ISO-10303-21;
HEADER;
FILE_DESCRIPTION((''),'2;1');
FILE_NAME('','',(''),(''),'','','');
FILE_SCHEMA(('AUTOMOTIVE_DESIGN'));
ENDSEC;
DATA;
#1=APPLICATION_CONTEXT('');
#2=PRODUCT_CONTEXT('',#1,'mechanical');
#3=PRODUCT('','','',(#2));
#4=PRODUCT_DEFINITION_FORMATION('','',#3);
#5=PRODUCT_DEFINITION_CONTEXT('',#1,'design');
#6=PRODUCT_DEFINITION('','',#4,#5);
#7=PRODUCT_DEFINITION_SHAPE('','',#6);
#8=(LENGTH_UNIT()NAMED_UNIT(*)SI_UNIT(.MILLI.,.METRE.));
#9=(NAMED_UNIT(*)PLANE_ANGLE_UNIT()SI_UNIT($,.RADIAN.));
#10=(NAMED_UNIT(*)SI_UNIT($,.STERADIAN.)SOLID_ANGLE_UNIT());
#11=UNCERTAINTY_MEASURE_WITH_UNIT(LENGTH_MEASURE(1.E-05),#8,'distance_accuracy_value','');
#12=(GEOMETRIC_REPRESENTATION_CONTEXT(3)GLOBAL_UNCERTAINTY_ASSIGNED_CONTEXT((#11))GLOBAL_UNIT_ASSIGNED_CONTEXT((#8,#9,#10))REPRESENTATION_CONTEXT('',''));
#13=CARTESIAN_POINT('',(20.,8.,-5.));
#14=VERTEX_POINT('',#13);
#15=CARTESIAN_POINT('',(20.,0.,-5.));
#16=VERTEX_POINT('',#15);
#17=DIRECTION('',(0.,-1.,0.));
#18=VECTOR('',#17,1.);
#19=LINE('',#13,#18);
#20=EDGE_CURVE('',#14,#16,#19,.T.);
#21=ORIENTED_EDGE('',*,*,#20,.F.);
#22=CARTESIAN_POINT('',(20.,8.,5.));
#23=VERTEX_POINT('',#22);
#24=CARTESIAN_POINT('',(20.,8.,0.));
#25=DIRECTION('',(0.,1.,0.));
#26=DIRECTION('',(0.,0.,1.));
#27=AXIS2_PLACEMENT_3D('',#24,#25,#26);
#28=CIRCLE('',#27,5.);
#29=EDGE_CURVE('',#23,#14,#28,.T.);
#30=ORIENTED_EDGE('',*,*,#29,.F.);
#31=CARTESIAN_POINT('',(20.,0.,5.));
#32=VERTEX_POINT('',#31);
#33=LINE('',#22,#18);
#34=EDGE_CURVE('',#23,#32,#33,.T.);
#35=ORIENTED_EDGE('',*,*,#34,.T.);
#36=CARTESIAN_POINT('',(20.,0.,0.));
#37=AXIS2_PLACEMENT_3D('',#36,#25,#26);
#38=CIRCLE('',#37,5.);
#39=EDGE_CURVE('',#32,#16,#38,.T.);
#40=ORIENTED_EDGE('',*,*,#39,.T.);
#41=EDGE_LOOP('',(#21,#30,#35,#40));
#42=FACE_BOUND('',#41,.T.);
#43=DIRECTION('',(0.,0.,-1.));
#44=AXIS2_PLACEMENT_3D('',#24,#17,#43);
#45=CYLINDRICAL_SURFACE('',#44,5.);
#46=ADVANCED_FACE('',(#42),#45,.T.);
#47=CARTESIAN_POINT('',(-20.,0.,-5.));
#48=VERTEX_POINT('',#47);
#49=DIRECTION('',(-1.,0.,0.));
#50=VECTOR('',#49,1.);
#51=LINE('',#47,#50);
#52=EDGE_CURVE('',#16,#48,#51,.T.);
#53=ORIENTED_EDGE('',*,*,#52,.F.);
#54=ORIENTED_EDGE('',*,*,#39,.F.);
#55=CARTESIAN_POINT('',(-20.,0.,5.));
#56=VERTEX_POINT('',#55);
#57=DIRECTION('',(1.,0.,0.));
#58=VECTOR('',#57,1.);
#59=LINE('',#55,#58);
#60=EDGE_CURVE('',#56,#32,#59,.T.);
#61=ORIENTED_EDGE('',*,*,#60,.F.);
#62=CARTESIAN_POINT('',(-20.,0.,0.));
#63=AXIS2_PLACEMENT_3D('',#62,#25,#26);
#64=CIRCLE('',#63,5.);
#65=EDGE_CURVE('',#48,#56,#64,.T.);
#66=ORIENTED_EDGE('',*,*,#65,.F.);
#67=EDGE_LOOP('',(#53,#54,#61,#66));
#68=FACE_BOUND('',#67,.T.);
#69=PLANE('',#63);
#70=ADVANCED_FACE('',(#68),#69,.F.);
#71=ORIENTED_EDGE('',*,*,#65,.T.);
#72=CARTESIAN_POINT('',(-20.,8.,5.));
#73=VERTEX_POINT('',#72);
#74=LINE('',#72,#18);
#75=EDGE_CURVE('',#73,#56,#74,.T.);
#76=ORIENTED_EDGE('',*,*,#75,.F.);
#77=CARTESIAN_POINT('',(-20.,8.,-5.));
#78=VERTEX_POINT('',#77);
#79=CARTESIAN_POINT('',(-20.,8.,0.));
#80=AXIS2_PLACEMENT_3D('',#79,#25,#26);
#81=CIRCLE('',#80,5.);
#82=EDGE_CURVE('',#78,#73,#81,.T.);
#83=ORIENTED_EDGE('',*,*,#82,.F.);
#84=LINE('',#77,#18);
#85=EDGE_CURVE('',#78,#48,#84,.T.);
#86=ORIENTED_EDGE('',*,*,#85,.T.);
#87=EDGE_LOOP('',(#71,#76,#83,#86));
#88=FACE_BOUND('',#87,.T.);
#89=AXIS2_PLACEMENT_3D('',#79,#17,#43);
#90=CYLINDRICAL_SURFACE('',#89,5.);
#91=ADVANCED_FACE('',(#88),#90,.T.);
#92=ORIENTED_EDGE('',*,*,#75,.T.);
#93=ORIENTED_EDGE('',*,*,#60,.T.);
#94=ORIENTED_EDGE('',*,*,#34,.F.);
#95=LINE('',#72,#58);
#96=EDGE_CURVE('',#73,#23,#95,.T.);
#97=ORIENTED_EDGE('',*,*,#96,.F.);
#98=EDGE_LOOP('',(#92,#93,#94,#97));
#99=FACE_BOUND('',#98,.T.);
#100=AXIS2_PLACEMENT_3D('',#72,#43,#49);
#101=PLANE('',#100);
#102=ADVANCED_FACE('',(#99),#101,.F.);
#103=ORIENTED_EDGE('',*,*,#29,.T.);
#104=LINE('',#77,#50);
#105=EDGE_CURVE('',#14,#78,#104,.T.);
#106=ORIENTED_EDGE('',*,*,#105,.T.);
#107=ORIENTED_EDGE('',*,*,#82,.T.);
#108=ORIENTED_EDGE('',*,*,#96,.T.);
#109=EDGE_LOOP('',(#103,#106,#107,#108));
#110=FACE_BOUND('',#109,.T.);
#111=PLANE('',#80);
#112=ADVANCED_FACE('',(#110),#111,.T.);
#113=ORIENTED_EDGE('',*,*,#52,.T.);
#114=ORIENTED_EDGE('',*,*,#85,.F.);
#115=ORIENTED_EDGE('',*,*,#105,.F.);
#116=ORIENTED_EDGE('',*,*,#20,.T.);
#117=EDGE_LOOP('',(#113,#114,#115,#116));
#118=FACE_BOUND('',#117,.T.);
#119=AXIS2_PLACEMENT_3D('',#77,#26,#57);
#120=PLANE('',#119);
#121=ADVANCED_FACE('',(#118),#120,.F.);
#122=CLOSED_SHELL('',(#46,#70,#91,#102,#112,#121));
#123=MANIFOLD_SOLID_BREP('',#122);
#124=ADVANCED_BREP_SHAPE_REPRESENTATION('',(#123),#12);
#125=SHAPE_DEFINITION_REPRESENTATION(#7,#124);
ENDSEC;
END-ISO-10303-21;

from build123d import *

# Parameters (mm, degrees)
EXTRUDE_1_DEPTH = 8


with BuildPart() as part:
    # Эскиз1 → Бобышка-Вытянуть1 (new body)
    with BuildSketch(Plane(origin=(0, 0, 0), x_dir=(1, 0, 0), z_dir=(0, 1, 0))):
        with BuildLine():
            Line((-20, 5), (20, 5))
            ThreePointArc((20, 5), (25, 0), (20, -5))
            Line((20, -5), (-20, -5))
            ThreePointArc((-20, -5), (-25, 0), (-20, 5))
        make_face()
    extrude(amount=EXTRUDE_1_DEPTH)


solid = part.part
